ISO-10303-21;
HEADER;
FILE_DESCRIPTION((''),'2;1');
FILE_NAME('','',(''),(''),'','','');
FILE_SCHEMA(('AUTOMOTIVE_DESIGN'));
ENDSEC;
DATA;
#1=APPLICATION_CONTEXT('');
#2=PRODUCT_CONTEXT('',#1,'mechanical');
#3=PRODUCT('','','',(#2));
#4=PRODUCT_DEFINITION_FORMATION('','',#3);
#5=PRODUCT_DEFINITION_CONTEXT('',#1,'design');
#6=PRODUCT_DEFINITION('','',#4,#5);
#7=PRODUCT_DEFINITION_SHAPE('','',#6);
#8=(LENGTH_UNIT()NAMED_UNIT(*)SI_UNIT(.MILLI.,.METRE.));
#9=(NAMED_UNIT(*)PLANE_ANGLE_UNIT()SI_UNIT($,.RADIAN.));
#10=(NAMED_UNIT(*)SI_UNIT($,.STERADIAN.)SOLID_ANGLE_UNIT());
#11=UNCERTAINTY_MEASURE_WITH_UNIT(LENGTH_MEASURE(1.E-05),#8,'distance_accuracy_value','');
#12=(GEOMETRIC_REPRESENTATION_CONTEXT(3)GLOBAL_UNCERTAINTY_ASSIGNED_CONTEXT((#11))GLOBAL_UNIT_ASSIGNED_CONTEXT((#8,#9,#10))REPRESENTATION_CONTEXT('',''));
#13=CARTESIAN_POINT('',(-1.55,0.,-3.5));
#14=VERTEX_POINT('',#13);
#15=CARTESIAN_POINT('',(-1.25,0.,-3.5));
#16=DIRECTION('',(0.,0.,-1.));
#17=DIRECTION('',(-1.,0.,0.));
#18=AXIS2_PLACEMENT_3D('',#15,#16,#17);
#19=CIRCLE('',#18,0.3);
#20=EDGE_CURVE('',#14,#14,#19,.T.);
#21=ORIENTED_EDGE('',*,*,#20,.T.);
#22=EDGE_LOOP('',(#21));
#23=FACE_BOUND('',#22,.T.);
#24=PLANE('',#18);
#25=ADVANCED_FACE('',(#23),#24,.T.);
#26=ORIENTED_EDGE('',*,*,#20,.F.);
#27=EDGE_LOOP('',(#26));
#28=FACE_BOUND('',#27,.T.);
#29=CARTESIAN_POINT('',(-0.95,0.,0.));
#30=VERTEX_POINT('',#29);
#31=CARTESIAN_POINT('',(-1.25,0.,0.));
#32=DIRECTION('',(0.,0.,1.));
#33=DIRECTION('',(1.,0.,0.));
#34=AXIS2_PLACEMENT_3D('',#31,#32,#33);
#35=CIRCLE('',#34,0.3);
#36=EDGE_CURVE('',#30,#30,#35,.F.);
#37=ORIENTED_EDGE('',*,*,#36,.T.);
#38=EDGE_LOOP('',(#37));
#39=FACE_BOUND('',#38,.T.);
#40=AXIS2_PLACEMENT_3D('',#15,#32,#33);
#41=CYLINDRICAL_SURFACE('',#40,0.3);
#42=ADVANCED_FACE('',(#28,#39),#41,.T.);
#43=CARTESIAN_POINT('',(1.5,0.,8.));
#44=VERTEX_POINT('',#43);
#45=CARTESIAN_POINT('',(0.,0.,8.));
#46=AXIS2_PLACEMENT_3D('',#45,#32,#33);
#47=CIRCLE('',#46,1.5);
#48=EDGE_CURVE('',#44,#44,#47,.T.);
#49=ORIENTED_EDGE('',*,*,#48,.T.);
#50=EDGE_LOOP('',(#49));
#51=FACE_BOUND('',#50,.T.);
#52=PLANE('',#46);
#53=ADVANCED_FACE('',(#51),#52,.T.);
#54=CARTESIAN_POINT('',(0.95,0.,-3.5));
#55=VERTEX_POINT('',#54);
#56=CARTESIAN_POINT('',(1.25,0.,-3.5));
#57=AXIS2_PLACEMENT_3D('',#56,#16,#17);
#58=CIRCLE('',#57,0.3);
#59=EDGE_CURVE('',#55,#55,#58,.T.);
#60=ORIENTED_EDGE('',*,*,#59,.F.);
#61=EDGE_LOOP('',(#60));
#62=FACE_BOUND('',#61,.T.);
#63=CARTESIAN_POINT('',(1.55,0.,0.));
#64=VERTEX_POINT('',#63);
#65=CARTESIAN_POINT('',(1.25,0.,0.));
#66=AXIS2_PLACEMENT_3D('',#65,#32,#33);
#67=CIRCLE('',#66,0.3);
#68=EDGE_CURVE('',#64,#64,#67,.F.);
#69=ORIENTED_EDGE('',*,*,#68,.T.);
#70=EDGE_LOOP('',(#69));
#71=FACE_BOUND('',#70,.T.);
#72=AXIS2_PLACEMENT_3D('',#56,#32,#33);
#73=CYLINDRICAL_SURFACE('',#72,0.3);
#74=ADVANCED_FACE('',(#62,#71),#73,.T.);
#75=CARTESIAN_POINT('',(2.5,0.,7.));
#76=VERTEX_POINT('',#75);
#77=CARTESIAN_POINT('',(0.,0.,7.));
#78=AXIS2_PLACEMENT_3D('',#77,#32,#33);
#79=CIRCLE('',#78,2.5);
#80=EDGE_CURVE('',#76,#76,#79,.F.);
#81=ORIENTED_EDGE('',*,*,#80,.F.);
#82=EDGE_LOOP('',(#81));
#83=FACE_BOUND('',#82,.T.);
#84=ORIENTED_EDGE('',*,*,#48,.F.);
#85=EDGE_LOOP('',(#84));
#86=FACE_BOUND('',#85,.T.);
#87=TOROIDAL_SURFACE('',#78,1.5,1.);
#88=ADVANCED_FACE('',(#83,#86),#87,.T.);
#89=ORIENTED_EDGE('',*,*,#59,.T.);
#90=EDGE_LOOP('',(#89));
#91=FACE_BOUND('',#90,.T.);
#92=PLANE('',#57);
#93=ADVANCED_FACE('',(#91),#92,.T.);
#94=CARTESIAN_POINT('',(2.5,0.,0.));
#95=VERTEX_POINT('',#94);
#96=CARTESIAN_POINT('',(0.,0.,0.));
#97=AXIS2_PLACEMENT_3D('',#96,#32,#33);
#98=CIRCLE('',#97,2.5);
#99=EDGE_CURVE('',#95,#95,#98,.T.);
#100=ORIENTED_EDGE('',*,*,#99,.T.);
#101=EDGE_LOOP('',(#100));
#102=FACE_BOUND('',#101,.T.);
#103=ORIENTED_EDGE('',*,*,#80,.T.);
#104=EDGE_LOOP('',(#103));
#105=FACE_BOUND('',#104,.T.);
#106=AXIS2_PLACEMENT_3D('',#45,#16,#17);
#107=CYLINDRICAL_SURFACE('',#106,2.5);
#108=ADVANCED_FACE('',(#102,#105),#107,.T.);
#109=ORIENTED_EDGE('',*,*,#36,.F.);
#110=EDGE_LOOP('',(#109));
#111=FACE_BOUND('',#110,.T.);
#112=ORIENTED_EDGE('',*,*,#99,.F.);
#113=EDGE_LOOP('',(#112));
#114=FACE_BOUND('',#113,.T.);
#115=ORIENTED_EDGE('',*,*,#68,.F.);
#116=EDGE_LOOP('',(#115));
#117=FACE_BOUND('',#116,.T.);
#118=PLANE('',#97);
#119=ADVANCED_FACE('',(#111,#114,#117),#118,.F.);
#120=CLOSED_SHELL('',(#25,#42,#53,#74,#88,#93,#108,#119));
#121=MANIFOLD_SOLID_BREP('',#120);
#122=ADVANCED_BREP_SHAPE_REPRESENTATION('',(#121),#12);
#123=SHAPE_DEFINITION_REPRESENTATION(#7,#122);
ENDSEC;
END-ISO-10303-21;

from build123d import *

# Parameters (mm, degrees)
SKETCH_1_R      = 2.5
EXTRUDE_1_DEPTH = 8
SKETCH_2_R      = 0.3
EXTRUDE_2_DEPTH = 3.5
FILLET_1_R      = 1


with BuildPart() as part:
    # Эскиз1 → Вытянуть1 (new body)
    with BuildSketch(Plane.XY):
        Circle(SKETCH_1_R)
    extrude(amount=EXTRUDE_1_DEPTH)

    # Эскиз2 → Вытянуть2 (add)
    with BuildSketch(Plane(origin=(0, 0, 0), x_dir=(-1, 0, 0), z_dir=(0, 0, -1))):
        with Locations(Location((-1.25, 0, 0), (0, 0, 180))):
            Circle(SKETCH_2_R)
        with Locations(Location((1.25, 0, 0), (0, 0, 180))):
            Circle(SKETCH_2_R)
    extrude(amount=EXTRUDE_2_DEPTH)

    # Скругление1
    fillet_1_edges = [part.edges().sort_by_distance(p)[0] for p in [
        (-2.5, 0, 8),
    ]]
    fillet(fillet_1_edges, radius=FILLET_1_R)


solid = part.part
